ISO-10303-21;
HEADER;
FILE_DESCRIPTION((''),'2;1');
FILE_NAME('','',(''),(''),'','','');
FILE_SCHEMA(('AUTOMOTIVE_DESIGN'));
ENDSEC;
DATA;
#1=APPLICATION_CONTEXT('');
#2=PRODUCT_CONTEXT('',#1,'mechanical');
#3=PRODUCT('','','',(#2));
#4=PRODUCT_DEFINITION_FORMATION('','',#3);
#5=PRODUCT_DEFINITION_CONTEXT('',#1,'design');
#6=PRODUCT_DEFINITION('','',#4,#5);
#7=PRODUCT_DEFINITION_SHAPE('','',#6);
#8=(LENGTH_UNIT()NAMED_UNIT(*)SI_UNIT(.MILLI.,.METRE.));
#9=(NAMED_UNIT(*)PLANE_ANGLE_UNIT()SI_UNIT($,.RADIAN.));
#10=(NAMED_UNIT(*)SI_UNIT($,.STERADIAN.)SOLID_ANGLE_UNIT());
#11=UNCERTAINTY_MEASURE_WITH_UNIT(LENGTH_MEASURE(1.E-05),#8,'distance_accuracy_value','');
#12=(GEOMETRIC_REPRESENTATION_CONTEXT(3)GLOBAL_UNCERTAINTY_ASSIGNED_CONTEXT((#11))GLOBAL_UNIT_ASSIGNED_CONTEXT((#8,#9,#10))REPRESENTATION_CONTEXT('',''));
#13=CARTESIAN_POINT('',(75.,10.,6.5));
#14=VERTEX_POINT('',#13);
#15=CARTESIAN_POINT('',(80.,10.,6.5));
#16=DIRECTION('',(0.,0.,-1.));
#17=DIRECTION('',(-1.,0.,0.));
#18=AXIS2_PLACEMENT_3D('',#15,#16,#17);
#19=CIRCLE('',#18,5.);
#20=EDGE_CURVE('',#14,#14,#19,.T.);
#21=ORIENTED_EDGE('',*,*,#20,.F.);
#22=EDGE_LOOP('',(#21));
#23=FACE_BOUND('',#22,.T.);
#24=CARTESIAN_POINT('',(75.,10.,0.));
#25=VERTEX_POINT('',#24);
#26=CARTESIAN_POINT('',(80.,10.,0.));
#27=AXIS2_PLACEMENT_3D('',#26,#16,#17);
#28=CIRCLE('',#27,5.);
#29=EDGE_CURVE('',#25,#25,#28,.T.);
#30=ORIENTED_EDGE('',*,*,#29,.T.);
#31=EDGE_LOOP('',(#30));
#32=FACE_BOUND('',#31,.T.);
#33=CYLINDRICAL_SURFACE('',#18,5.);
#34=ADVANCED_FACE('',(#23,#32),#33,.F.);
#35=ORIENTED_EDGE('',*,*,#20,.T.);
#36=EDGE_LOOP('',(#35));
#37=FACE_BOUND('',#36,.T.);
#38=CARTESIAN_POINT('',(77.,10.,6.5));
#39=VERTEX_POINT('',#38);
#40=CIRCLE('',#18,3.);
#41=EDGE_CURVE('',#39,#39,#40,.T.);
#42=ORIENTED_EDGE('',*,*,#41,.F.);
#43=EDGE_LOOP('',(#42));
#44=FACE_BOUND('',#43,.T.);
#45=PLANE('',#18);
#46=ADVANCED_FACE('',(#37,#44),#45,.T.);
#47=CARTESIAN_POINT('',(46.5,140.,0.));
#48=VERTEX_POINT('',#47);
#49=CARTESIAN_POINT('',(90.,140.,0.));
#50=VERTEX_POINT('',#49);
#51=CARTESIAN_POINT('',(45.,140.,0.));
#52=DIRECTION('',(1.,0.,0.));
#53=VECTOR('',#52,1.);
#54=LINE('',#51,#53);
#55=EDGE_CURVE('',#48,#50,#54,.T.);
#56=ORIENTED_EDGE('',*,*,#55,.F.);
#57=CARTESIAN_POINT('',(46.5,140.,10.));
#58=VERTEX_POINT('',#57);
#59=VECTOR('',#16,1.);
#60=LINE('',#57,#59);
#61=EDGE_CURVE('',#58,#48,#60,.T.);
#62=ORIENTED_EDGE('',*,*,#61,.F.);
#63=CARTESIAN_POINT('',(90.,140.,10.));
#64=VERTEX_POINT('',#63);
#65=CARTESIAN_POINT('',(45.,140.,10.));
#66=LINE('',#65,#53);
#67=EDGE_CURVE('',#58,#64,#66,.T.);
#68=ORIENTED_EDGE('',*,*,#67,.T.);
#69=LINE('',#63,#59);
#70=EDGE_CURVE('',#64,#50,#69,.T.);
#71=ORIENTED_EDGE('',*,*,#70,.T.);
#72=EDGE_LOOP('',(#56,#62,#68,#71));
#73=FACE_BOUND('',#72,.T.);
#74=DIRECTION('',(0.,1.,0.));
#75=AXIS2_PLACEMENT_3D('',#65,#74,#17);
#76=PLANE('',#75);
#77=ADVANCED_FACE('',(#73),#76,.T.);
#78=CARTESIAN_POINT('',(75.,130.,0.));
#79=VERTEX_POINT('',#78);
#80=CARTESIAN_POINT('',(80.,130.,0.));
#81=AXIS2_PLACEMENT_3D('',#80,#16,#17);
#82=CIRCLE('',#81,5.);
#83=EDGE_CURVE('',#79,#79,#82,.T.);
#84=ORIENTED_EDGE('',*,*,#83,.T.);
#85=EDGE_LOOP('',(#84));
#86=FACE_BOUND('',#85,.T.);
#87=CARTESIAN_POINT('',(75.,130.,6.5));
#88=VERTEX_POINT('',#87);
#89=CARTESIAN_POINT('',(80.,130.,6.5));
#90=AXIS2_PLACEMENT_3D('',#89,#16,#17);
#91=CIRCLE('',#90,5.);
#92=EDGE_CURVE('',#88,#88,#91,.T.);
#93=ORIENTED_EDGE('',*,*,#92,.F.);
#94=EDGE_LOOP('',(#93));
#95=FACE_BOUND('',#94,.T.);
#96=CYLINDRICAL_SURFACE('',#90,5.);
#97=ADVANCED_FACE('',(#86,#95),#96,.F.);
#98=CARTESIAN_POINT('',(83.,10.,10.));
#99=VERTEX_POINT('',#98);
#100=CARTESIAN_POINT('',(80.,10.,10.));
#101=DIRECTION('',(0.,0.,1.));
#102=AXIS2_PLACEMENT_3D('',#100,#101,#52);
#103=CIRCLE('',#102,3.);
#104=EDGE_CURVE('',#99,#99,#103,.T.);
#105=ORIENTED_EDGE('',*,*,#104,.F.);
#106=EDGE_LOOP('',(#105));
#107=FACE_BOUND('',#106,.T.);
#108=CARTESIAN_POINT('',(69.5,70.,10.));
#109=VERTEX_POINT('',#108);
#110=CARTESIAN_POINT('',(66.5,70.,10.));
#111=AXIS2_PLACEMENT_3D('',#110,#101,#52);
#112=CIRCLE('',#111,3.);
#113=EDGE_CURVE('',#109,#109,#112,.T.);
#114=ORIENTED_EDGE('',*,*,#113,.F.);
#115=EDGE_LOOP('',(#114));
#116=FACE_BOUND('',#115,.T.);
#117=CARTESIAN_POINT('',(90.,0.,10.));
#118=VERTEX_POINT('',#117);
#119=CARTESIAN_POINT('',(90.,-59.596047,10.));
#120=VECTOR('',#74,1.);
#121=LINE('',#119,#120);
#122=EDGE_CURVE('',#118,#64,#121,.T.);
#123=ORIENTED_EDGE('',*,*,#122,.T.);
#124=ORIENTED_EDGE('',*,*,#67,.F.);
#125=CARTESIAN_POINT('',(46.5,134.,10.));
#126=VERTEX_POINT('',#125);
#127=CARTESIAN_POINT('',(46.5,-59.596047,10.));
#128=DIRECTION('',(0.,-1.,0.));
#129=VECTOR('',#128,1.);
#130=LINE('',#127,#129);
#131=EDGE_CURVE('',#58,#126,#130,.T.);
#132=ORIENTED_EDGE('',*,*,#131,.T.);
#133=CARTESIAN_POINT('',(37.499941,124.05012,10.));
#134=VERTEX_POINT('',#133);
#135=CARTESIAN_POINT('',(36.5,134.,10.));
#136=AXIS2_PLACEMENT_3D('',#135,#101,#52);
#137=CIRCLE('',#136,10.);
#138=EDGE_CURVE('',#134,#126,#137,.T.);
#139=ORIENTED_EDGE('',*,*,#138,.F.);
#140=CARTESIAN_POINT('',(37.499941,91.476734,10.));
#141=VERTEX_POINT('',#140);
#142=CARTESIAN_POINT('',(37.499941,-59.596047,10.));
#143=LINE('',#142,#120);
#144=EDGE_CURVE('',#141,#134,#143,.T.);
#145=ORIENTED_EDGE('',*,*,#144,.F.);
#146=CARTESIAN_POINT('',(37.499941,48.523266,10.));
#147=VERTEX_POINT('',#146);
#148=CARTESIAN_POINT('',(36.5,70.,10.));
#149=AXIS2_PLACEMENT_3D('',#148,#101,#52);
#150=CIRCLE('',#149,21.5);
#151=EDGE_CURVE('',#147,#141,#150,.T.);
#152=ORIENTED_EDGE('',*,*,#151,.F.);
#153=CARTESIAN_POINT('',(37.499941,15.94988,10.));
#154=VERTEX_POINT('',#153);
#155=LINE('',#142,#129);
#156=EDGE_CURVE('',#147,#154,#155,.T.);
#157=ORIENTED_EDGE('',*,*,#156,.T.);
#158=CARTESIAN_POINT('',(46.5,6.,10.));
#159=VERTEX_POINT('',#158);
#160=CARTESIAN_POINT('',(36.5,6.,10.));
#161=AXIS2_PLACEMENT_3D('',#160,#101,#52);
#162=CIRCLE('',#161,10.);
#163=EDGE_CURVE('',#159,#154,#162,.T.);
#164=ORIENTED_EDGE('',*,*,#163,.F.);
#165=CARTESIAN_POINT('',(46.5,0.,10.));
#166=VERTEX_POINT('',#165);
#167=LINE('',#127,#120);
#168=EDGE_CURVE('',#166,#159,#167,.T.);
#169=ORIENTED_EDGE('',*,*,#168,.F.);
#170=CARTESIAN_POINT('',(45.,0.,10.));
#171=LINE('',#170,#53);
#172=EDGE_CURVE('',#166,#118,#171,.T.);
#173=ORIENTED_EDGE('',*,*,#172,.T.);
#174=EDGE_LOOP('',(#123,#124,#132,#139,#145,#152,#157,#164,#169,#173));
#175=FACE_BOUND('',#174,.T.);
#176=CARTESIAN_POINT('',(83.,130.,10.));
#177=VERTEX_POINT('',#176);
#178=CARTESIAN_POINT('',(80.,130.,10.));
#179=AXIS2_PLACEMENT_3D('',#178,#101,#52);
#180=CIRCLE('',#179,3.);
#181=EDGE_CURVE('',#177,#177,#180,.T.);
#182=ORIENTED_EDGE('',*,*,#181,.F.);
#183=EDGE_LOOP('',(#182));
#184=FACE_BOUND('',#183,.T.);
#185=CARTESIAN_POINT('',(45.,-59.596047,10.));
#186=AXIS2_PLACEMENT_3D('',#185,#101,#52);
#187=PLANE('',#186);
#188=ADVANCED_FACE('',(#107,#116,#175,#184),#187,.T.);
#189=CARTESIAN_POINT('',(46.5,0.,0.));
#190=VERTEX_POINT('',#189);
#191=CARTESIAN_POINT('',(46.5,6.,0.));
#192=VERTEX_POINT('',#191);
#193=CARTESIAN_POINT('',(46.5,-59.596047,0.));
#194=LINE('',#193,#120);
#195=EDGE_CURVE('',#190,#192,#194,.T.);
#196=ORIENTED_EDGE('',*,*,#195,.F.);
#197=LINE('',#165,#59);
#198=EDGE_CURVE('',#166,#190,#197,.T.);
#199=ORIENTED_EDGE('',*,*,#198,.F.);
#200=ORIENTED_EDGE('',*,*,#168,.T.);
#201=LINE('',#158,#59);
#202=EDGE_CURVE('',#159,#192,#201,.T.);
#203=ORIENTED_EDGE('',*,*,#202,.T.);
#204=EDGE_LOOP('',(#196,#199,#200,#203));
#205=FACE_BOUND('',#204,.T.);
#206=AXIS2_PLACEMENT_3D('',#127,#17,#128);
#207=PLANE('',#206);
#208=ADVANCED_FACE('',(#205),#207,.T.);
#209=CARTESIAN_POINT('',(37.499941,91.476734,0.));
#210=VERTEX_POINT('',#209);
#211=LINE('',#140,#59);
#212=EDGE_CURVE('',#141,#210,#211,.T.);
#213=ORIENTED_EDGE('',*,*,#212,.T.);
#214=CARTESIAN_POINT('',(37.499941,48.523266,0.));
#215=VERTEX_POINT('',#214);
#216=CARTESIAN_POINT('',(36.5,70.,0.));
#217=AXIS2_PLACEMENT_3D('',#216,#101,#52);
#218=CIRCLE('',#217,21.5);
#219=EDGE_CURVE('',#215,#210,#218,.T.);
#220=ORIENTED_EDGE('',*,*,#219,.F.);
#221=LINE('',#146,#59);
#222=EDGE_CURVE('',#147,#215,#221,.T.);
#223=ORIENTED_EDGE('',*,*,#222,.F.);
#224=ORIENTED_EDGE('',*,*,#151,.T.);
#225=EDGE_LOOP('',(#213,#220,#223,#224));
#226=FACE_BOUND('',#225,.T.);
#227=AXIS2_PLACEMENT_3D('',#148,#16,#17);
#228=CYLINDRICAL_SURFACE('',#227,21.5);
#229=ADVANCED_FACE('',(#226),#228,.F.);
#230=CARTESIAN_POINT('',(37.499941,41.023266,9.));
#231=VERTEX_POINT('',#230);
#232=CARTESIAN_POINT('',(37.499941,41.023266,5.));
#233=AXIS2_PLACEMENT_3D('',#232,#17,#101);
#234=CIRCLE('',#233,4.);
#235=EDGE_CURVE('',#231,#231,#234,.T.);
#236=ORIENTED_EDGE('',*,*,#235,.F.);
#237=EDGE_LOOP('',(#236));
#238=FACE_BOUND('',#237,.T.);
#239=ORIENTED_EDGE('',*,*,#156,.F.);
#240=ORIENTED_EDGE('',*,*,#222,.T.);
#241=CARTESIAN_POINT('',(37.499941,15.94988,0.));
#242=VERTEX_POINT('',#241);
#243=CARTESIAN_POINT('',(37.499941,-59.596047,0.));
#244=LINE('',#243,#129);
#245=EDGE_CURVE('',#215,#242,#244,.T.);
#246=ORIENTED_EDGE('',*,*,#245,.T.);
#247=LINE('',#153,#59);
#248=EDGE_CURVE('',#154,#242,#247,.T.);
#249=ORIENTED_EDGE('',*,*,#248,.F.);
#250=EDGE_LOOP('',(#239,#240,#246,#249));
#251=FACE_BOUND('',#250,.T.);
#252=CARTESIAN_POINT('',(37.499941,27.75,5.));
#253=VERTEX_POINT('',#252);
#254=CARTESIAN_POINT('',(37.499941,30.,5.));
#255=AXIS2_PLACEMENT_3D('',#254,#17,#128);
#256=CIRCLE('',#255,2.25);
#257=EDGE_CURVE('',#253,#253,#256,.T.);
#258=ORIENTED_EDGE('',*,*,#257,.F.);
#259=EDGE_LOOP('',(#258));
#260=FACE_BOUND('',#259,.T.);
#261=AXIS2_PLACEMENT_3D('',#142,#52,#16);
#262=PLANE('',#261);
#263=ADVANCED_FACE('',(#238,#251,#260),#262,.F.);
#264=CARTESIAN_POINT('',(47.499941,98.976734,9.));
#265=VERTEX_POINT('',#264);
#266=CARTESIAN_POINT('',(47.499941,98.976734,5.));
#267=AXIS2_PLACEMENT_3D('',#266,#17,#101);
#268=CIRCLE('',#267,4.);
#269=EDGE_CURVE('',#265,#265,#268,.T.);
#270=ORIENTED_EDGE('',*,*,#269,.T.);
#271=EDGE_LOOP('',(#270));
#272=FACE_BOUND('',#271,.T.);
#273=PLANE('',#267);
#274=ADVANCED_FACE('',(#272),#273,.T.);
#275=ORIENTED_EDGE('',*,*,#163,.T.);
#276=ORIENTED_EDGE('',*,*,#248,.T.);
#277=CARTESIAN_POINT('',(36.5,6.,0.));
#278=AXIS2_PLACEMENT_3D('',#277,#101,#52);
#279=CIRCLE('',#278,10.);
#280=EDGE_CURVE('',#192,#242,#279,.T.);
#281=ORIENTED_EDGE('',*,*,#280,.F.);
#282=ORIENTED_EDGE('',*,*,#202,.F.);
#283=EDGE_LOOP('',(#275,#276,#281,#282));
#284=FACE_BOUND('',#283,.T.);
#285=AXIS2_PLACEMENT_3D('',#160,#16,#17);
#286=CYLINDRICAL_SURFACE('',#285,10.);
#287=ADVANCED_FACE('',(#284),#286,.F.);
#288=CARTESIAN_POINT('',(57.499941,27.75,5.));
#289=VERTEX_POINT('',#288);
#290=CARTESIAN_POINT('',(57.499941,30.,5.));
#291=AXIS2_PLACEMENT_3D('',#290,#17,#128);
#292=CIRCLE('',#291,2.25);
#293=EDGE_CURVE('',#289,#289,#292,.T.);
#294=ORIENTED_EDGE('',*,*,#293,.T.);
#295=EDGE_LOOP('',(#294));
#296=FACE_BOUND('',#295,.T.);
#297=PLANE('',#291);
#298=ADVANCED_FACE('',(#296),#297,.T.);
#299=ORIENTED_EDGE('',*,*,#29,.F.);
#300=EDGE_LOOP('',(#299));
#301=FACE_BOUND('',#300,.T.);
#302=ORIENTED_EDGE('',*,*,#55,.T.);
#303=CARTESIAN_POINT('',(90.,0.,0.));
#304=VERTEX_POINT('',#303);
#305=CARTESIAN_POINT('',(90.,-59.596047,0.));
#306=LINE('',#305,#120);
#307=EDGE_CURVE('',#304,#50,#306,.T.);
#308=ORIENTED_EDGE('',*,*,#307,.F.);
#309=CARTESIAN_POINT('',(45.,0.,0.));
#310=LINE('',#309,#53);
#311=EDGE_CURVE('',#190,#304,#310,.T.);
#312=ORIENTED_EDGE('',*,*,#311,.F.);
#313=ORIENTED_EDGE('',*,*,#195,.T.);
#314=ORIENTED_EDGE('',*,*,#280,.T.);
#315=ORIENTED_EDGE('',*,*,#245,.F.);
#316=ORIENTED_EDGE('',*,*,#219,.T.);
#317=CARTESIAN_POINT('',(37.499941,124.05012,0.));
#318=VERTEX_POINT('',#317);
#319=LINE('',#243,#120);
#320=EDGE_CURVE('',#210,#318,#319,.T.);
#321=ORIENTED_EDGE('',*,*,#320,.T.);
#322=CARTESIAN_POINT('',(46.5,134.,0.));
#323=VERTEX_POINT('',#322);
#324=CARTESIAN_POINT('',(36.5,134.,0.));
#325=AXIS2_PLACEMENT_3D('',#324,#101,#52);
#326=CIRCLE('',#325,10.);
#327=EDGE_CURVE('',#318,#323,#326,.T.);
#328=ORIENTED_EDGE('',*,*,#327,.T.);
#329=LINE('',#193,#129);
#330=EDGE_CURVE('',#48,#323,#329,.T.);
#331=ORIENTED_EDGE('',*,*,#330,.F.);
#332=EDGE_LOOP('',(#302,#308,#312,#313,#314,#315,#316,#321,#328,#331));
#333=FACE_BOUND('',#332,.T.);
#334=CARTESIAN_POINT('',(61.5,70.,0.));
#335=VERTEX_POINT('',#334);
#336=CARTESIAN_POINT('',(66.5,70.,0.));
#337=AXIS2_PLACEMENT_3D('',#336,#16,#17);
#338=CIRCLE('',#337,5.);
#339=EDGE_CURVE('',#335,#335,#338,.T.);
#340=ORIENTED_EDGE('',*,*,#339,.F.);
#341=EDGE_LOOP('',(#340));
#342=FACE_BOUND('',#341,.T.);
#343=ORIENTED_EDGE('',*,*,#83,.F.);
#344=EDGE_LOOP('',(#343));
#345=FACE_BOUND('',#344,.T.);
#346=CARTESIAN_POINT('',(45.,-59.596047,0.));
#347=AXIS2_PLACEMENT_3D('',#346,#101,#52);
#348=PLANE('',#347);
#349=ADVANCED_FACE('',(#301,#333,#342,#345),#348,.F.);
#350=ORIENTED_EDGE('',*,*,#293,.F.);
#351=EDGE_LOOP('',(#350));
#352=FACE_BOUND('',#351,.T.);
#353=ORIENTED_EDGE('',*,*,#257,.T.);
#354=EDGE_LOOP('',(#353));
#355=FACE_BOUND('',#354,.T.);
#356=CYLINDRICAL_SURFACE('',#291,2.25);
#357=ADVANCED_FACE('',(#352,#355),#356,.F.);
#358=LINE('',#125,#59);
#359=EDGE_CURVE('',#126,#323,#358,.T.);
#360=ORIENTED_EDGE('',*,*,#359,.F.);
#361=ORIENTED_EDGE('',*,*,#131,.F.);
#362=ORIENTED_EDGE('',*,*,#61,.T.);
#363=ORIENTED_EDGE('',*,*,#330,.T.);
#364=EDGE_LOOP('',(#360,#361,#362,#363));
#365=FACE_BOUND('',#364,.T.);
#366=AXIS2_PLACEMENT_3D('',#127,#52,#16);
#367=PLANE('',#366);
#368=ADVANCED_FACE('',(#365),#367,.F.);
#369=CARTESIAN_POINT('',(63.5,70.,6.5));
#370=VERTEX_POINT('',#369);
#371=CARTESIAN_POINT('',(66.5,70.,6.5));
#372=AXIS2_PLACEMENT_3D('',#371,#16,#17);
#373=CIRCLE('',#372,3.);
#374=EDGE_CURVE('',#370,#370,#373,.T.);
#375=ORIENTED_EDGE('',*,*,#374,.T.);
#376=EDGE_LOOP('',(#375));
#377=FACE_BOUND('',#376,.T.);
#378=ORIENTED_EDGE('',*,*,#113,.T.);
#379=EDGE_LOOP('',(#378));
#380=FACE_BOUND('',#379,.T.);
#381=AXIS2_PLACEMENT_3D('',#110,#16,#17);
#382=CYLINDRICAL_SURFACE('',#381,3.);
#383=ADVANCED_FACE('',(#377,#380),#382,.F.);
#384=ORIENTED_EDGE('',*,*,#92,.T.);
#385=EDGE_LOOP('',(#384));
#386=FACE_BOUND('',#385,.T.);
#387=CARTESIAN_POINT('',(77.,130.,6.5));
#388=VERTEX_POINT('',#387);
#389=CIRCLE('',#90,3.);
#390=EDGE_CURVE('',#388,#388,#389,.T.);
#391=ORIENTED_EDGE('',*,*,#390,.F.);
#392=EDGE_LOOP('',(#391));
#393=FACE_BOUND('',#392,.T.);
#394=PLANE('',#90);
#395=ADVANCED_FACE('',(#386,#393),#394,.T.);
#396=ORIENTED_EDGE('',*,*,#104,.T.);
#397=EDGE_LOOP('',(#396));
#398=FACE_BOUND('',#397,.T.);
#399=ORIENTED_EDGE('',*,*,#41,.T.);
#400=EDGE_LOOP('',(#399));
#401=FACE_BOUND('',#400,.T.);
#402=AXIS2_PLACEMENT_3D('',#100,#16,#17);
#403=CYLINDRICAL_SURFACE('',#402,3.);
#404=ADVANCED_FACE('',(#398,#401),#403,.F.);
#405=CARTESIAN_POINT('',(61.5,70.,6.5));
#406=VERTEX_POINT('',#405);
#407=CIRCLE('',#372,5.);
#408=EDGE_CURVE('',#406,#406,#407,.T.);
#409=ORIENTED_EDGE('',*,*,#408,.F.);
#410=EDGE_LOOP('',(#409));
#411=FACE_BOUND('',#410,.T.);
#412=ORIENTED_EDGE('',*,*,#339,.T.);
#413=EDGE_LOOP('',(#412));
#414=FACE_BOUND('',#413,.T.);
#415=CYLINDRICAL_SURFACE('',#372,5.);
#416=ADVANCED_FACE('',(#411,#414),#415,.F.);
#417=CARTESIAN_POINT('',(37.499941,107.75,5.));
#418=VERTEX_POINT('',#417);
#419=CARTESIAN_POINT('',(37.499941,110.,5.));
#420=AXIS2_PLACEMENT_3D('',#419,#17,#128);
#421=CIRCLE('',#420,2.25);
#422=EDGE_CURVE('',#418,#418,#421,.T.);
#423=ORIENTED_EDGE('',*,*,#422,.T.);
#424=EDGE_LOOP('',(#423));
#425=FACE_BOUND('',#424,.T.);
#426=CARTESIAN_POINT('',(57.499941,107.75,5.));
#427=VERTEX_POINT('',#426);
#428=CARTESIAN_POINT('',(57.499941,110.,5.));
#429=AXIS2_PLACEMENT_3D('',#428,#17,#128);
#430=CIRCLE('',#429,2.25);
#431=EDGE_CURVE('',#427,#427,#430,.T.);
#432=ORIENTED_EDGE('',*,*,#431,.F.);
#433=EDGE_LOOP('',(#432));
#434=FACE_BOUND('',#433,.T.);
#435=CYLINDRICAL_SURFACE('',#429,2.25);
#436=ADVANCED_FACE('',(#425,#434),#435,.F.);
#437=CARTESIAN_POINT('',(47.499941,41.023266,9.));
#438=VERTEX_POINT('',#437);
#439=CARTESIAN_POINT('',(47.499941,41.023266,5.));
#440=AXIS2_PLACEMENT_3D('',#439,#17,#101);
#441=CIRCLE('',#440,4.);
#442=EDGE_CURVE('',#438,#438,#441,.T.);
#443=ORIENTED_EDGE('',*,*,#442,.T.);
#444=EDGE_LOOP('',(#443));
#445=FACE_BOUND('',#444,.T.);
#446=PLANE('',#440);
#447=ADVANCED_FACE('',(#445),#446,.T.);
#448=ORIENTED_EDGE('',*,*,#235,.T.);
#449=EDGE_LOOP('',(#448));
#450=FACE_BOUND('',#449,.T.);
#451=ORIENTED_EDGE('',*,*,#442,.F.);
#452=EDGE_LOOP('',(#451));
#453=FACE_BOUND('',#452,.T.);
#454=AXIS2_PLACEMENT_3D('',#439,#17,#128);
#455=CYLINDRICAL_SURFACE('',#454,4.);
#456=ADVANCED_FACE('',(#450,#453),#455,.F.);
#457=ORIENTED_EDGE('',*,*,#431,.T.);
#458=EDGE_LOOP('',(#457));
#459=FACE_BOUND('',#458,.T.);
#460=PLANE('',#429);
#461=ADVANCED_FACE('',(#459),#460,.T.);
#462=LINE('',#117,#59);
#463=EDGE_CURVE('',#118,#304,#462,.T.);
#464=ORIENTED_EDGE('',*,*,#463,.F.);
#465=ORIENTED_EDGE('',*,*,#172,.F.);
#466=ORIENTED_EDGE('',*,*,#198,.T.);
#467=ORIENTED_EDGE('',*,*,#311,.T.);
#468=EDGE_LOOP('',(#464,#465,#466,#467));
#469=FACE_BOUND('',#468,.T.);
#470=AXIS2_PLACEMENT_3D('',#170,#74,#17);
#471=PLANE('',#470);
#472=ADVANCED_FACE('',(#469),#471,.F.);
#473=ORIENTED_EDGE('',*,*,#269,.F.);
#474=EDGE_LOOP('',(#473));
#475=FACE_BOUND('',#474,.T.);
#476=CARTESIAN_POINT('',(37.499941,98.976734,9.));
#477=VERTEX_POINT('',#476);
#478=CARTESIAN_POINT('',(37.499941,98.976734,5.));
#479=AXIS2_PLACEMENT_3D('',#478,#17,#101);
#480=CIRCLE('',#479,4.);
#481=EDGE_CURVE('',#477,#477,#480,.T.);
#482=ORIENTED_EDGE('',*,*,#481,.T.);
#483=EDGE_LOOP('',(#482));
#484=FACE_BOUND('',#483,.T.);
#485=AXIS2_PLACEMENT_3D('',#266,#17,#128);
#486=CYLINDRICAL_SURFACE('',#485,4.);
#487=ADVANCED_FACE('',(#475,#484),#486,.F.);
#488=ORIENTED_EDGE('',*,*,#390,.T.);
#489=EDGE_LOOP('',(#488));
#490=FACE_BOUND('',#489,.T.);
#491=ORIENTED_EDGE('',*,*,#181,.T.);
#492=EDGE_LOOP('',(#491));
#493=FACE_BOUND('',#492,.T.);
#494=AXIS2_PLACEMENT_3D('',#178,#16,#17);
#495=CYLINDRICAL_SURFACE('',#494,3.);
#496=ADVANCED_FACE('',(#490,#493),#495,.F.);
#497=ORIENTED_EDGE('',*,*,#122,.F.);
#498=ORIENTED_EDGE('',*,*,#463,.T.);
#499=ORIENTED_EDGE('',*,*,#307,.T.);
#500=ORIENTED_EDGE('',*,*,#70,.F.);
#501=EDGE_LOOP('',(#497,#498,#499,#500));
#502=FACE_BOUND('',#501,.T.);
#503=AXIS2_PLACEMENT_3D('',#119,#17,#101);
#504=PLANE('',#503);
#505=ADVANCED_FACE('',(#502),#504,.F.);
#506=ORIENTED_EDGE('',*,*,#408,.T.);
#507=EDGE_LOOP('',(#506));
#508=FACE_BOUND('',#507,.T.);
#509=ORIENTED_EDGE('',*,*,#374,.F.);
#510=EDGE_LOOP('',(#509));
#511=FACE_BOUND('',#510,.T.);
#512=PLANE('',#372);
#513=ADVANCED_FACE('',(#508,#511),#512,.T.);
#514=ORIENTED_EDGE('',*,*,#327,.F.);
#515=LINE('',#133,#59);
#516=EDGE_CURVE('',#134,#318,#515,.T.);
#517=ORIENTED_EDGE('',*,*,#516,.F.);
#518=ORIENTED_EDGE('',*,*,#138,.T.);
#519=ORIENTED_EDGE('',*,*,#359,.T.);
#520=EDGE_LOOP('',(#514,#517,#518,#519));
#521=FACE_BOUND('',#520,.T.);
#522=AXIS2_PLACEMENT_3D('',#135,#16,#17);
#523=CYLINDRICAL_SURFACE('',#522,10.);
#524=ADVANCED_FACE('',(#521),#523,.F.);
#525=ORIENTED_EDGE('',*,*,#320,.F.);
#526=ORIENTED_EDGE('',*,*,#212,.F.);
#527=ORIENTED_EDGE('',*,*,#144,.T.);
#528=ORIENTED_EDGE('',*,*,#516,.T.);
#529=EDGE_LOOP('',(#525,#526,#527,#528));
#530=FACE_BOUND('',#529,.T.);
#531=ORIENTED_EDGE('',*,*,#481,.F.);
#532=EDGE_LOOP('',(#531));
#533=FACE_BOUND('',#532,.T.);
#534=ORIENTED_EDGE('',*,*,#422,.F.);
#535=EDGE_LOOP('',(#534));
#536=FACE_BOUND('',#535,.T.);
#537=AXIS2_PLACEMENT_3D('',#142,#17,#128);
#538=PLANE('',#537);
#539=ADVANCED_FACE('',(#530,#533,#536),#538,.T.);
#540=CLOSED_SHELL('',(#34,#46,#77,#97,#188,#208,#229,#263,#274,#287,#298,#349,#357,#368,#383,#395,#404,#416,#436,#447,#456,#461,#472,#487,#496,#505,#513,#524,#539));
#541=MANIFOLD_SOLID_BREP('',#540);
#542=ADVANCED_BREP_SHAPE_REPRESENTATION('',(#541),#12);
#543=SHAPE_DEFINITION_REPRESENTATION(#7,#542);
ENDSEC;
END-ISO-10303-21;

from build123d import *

# Parameters (mm, degrees)
SKETCH1_R          = 3
EXTRUDE2_DEPTH     = 10
SKETCH5_R          = 5
CUT_EXTRUDE2_DEPTH = 6.5
SKETCH7_R          = 2.25
CUT_EXTRUDE3_DEPTH = 20
SKETCH8_R          = 4
CUT_EXTRUDE4_DEPTH = 10


with BuildPart() as part:
    # Sketch1 → Extrude2 (new body)
    with BuildSketch(Plane.XY):
        with BuildLine():
            ThreePointArc((46.5, 134), (43.916178451, 127.291773917), (37.499940564, 124.050119656))
            Line((37.499940564, 124.050119656), (37.499940564, 100))
            Line((37.499940564, 100), (37.499940564, 91.476734362))
            ThreePointArc((37.499940564, 91.476734362), (58, 70), (37.499940564, 48.523265638))
            Line((37.499940564, 48.523265638), (37.499940564, 39.989097297))
            Line((37.499940564, 39.989097297), (37.499940564, 15.949880344))
            ThreePointArc((37.499940564, 15.949880344), (43.916178451, 12.708226083), (46.5, 6))
            Line((46.5, 6), (46.5, 0))
            Line((46.5, 0), (90, 0))
            Line((90, 0), (90, 140))
            Line((90, 140), (46.5, 140))
            Line((46.5, 140), (46.5, 134))
        make_face()
        with Locations((80, 10)):
            Circle(SKETCH1_R, mode=Mode.SUBTRACT)
        with Locations((66.5, 70)):
            Circle(SKETCH1_R, mode=Mode.SUBTRACT)
        with Locations((80, 130)):
            Circle(SKETCH1_R, mode=Mode.SUBTRACT)
    extrude(amount=EXTRUDE2_DEPTH)

    # Sketch5 → Cut-Extrude2 (cut)
    with BuildSketch(Plane(origin=(0, 0, 0), x_dir=(-1, 0, 0), z_dir=(0, 0, -1))):
        with Locations((-66.5, 70)):
            Circle(SKETCH5_R)
        with Locations((-80, 10)):
            Circle(SKETCH5_R)
        with Locations((-80, 130)):
            Circle(SKETCH5_R)
    extrude(amount=-CUT_EXTRUDE2_DEPTH, mode=Mode.SUBTRACT)

    # Sketch7 → Cut-Extrude3 (cut)
    with BuildSketch(Plane.ZY.offset(-37.499940564)):
        with Locations((5, 110)):
            Circle(SKETCH7_R)
        with Locations((5, 30)):
            Circle(SKETCH7_R)
    extrude(amount=-CUT_EXTRUDE3_DEPTH, mode=Mode.SUBTRACT)

    # Sketch8 → Cut-Extrude4 (cut)
    with BuildSketch(Plane.ZY.offset(-37.499940564)):
        with Locations((5, 41.023265638)):
            Circle(SKETCH8_R)
        with Locations((5, 98.976734362)):
            Circle(SKETCH8_R)
    extrude(amount=-CUT_EXTRUDE4_DEPTH, mode=Mode.SUBTRACT)


solid = part.part
